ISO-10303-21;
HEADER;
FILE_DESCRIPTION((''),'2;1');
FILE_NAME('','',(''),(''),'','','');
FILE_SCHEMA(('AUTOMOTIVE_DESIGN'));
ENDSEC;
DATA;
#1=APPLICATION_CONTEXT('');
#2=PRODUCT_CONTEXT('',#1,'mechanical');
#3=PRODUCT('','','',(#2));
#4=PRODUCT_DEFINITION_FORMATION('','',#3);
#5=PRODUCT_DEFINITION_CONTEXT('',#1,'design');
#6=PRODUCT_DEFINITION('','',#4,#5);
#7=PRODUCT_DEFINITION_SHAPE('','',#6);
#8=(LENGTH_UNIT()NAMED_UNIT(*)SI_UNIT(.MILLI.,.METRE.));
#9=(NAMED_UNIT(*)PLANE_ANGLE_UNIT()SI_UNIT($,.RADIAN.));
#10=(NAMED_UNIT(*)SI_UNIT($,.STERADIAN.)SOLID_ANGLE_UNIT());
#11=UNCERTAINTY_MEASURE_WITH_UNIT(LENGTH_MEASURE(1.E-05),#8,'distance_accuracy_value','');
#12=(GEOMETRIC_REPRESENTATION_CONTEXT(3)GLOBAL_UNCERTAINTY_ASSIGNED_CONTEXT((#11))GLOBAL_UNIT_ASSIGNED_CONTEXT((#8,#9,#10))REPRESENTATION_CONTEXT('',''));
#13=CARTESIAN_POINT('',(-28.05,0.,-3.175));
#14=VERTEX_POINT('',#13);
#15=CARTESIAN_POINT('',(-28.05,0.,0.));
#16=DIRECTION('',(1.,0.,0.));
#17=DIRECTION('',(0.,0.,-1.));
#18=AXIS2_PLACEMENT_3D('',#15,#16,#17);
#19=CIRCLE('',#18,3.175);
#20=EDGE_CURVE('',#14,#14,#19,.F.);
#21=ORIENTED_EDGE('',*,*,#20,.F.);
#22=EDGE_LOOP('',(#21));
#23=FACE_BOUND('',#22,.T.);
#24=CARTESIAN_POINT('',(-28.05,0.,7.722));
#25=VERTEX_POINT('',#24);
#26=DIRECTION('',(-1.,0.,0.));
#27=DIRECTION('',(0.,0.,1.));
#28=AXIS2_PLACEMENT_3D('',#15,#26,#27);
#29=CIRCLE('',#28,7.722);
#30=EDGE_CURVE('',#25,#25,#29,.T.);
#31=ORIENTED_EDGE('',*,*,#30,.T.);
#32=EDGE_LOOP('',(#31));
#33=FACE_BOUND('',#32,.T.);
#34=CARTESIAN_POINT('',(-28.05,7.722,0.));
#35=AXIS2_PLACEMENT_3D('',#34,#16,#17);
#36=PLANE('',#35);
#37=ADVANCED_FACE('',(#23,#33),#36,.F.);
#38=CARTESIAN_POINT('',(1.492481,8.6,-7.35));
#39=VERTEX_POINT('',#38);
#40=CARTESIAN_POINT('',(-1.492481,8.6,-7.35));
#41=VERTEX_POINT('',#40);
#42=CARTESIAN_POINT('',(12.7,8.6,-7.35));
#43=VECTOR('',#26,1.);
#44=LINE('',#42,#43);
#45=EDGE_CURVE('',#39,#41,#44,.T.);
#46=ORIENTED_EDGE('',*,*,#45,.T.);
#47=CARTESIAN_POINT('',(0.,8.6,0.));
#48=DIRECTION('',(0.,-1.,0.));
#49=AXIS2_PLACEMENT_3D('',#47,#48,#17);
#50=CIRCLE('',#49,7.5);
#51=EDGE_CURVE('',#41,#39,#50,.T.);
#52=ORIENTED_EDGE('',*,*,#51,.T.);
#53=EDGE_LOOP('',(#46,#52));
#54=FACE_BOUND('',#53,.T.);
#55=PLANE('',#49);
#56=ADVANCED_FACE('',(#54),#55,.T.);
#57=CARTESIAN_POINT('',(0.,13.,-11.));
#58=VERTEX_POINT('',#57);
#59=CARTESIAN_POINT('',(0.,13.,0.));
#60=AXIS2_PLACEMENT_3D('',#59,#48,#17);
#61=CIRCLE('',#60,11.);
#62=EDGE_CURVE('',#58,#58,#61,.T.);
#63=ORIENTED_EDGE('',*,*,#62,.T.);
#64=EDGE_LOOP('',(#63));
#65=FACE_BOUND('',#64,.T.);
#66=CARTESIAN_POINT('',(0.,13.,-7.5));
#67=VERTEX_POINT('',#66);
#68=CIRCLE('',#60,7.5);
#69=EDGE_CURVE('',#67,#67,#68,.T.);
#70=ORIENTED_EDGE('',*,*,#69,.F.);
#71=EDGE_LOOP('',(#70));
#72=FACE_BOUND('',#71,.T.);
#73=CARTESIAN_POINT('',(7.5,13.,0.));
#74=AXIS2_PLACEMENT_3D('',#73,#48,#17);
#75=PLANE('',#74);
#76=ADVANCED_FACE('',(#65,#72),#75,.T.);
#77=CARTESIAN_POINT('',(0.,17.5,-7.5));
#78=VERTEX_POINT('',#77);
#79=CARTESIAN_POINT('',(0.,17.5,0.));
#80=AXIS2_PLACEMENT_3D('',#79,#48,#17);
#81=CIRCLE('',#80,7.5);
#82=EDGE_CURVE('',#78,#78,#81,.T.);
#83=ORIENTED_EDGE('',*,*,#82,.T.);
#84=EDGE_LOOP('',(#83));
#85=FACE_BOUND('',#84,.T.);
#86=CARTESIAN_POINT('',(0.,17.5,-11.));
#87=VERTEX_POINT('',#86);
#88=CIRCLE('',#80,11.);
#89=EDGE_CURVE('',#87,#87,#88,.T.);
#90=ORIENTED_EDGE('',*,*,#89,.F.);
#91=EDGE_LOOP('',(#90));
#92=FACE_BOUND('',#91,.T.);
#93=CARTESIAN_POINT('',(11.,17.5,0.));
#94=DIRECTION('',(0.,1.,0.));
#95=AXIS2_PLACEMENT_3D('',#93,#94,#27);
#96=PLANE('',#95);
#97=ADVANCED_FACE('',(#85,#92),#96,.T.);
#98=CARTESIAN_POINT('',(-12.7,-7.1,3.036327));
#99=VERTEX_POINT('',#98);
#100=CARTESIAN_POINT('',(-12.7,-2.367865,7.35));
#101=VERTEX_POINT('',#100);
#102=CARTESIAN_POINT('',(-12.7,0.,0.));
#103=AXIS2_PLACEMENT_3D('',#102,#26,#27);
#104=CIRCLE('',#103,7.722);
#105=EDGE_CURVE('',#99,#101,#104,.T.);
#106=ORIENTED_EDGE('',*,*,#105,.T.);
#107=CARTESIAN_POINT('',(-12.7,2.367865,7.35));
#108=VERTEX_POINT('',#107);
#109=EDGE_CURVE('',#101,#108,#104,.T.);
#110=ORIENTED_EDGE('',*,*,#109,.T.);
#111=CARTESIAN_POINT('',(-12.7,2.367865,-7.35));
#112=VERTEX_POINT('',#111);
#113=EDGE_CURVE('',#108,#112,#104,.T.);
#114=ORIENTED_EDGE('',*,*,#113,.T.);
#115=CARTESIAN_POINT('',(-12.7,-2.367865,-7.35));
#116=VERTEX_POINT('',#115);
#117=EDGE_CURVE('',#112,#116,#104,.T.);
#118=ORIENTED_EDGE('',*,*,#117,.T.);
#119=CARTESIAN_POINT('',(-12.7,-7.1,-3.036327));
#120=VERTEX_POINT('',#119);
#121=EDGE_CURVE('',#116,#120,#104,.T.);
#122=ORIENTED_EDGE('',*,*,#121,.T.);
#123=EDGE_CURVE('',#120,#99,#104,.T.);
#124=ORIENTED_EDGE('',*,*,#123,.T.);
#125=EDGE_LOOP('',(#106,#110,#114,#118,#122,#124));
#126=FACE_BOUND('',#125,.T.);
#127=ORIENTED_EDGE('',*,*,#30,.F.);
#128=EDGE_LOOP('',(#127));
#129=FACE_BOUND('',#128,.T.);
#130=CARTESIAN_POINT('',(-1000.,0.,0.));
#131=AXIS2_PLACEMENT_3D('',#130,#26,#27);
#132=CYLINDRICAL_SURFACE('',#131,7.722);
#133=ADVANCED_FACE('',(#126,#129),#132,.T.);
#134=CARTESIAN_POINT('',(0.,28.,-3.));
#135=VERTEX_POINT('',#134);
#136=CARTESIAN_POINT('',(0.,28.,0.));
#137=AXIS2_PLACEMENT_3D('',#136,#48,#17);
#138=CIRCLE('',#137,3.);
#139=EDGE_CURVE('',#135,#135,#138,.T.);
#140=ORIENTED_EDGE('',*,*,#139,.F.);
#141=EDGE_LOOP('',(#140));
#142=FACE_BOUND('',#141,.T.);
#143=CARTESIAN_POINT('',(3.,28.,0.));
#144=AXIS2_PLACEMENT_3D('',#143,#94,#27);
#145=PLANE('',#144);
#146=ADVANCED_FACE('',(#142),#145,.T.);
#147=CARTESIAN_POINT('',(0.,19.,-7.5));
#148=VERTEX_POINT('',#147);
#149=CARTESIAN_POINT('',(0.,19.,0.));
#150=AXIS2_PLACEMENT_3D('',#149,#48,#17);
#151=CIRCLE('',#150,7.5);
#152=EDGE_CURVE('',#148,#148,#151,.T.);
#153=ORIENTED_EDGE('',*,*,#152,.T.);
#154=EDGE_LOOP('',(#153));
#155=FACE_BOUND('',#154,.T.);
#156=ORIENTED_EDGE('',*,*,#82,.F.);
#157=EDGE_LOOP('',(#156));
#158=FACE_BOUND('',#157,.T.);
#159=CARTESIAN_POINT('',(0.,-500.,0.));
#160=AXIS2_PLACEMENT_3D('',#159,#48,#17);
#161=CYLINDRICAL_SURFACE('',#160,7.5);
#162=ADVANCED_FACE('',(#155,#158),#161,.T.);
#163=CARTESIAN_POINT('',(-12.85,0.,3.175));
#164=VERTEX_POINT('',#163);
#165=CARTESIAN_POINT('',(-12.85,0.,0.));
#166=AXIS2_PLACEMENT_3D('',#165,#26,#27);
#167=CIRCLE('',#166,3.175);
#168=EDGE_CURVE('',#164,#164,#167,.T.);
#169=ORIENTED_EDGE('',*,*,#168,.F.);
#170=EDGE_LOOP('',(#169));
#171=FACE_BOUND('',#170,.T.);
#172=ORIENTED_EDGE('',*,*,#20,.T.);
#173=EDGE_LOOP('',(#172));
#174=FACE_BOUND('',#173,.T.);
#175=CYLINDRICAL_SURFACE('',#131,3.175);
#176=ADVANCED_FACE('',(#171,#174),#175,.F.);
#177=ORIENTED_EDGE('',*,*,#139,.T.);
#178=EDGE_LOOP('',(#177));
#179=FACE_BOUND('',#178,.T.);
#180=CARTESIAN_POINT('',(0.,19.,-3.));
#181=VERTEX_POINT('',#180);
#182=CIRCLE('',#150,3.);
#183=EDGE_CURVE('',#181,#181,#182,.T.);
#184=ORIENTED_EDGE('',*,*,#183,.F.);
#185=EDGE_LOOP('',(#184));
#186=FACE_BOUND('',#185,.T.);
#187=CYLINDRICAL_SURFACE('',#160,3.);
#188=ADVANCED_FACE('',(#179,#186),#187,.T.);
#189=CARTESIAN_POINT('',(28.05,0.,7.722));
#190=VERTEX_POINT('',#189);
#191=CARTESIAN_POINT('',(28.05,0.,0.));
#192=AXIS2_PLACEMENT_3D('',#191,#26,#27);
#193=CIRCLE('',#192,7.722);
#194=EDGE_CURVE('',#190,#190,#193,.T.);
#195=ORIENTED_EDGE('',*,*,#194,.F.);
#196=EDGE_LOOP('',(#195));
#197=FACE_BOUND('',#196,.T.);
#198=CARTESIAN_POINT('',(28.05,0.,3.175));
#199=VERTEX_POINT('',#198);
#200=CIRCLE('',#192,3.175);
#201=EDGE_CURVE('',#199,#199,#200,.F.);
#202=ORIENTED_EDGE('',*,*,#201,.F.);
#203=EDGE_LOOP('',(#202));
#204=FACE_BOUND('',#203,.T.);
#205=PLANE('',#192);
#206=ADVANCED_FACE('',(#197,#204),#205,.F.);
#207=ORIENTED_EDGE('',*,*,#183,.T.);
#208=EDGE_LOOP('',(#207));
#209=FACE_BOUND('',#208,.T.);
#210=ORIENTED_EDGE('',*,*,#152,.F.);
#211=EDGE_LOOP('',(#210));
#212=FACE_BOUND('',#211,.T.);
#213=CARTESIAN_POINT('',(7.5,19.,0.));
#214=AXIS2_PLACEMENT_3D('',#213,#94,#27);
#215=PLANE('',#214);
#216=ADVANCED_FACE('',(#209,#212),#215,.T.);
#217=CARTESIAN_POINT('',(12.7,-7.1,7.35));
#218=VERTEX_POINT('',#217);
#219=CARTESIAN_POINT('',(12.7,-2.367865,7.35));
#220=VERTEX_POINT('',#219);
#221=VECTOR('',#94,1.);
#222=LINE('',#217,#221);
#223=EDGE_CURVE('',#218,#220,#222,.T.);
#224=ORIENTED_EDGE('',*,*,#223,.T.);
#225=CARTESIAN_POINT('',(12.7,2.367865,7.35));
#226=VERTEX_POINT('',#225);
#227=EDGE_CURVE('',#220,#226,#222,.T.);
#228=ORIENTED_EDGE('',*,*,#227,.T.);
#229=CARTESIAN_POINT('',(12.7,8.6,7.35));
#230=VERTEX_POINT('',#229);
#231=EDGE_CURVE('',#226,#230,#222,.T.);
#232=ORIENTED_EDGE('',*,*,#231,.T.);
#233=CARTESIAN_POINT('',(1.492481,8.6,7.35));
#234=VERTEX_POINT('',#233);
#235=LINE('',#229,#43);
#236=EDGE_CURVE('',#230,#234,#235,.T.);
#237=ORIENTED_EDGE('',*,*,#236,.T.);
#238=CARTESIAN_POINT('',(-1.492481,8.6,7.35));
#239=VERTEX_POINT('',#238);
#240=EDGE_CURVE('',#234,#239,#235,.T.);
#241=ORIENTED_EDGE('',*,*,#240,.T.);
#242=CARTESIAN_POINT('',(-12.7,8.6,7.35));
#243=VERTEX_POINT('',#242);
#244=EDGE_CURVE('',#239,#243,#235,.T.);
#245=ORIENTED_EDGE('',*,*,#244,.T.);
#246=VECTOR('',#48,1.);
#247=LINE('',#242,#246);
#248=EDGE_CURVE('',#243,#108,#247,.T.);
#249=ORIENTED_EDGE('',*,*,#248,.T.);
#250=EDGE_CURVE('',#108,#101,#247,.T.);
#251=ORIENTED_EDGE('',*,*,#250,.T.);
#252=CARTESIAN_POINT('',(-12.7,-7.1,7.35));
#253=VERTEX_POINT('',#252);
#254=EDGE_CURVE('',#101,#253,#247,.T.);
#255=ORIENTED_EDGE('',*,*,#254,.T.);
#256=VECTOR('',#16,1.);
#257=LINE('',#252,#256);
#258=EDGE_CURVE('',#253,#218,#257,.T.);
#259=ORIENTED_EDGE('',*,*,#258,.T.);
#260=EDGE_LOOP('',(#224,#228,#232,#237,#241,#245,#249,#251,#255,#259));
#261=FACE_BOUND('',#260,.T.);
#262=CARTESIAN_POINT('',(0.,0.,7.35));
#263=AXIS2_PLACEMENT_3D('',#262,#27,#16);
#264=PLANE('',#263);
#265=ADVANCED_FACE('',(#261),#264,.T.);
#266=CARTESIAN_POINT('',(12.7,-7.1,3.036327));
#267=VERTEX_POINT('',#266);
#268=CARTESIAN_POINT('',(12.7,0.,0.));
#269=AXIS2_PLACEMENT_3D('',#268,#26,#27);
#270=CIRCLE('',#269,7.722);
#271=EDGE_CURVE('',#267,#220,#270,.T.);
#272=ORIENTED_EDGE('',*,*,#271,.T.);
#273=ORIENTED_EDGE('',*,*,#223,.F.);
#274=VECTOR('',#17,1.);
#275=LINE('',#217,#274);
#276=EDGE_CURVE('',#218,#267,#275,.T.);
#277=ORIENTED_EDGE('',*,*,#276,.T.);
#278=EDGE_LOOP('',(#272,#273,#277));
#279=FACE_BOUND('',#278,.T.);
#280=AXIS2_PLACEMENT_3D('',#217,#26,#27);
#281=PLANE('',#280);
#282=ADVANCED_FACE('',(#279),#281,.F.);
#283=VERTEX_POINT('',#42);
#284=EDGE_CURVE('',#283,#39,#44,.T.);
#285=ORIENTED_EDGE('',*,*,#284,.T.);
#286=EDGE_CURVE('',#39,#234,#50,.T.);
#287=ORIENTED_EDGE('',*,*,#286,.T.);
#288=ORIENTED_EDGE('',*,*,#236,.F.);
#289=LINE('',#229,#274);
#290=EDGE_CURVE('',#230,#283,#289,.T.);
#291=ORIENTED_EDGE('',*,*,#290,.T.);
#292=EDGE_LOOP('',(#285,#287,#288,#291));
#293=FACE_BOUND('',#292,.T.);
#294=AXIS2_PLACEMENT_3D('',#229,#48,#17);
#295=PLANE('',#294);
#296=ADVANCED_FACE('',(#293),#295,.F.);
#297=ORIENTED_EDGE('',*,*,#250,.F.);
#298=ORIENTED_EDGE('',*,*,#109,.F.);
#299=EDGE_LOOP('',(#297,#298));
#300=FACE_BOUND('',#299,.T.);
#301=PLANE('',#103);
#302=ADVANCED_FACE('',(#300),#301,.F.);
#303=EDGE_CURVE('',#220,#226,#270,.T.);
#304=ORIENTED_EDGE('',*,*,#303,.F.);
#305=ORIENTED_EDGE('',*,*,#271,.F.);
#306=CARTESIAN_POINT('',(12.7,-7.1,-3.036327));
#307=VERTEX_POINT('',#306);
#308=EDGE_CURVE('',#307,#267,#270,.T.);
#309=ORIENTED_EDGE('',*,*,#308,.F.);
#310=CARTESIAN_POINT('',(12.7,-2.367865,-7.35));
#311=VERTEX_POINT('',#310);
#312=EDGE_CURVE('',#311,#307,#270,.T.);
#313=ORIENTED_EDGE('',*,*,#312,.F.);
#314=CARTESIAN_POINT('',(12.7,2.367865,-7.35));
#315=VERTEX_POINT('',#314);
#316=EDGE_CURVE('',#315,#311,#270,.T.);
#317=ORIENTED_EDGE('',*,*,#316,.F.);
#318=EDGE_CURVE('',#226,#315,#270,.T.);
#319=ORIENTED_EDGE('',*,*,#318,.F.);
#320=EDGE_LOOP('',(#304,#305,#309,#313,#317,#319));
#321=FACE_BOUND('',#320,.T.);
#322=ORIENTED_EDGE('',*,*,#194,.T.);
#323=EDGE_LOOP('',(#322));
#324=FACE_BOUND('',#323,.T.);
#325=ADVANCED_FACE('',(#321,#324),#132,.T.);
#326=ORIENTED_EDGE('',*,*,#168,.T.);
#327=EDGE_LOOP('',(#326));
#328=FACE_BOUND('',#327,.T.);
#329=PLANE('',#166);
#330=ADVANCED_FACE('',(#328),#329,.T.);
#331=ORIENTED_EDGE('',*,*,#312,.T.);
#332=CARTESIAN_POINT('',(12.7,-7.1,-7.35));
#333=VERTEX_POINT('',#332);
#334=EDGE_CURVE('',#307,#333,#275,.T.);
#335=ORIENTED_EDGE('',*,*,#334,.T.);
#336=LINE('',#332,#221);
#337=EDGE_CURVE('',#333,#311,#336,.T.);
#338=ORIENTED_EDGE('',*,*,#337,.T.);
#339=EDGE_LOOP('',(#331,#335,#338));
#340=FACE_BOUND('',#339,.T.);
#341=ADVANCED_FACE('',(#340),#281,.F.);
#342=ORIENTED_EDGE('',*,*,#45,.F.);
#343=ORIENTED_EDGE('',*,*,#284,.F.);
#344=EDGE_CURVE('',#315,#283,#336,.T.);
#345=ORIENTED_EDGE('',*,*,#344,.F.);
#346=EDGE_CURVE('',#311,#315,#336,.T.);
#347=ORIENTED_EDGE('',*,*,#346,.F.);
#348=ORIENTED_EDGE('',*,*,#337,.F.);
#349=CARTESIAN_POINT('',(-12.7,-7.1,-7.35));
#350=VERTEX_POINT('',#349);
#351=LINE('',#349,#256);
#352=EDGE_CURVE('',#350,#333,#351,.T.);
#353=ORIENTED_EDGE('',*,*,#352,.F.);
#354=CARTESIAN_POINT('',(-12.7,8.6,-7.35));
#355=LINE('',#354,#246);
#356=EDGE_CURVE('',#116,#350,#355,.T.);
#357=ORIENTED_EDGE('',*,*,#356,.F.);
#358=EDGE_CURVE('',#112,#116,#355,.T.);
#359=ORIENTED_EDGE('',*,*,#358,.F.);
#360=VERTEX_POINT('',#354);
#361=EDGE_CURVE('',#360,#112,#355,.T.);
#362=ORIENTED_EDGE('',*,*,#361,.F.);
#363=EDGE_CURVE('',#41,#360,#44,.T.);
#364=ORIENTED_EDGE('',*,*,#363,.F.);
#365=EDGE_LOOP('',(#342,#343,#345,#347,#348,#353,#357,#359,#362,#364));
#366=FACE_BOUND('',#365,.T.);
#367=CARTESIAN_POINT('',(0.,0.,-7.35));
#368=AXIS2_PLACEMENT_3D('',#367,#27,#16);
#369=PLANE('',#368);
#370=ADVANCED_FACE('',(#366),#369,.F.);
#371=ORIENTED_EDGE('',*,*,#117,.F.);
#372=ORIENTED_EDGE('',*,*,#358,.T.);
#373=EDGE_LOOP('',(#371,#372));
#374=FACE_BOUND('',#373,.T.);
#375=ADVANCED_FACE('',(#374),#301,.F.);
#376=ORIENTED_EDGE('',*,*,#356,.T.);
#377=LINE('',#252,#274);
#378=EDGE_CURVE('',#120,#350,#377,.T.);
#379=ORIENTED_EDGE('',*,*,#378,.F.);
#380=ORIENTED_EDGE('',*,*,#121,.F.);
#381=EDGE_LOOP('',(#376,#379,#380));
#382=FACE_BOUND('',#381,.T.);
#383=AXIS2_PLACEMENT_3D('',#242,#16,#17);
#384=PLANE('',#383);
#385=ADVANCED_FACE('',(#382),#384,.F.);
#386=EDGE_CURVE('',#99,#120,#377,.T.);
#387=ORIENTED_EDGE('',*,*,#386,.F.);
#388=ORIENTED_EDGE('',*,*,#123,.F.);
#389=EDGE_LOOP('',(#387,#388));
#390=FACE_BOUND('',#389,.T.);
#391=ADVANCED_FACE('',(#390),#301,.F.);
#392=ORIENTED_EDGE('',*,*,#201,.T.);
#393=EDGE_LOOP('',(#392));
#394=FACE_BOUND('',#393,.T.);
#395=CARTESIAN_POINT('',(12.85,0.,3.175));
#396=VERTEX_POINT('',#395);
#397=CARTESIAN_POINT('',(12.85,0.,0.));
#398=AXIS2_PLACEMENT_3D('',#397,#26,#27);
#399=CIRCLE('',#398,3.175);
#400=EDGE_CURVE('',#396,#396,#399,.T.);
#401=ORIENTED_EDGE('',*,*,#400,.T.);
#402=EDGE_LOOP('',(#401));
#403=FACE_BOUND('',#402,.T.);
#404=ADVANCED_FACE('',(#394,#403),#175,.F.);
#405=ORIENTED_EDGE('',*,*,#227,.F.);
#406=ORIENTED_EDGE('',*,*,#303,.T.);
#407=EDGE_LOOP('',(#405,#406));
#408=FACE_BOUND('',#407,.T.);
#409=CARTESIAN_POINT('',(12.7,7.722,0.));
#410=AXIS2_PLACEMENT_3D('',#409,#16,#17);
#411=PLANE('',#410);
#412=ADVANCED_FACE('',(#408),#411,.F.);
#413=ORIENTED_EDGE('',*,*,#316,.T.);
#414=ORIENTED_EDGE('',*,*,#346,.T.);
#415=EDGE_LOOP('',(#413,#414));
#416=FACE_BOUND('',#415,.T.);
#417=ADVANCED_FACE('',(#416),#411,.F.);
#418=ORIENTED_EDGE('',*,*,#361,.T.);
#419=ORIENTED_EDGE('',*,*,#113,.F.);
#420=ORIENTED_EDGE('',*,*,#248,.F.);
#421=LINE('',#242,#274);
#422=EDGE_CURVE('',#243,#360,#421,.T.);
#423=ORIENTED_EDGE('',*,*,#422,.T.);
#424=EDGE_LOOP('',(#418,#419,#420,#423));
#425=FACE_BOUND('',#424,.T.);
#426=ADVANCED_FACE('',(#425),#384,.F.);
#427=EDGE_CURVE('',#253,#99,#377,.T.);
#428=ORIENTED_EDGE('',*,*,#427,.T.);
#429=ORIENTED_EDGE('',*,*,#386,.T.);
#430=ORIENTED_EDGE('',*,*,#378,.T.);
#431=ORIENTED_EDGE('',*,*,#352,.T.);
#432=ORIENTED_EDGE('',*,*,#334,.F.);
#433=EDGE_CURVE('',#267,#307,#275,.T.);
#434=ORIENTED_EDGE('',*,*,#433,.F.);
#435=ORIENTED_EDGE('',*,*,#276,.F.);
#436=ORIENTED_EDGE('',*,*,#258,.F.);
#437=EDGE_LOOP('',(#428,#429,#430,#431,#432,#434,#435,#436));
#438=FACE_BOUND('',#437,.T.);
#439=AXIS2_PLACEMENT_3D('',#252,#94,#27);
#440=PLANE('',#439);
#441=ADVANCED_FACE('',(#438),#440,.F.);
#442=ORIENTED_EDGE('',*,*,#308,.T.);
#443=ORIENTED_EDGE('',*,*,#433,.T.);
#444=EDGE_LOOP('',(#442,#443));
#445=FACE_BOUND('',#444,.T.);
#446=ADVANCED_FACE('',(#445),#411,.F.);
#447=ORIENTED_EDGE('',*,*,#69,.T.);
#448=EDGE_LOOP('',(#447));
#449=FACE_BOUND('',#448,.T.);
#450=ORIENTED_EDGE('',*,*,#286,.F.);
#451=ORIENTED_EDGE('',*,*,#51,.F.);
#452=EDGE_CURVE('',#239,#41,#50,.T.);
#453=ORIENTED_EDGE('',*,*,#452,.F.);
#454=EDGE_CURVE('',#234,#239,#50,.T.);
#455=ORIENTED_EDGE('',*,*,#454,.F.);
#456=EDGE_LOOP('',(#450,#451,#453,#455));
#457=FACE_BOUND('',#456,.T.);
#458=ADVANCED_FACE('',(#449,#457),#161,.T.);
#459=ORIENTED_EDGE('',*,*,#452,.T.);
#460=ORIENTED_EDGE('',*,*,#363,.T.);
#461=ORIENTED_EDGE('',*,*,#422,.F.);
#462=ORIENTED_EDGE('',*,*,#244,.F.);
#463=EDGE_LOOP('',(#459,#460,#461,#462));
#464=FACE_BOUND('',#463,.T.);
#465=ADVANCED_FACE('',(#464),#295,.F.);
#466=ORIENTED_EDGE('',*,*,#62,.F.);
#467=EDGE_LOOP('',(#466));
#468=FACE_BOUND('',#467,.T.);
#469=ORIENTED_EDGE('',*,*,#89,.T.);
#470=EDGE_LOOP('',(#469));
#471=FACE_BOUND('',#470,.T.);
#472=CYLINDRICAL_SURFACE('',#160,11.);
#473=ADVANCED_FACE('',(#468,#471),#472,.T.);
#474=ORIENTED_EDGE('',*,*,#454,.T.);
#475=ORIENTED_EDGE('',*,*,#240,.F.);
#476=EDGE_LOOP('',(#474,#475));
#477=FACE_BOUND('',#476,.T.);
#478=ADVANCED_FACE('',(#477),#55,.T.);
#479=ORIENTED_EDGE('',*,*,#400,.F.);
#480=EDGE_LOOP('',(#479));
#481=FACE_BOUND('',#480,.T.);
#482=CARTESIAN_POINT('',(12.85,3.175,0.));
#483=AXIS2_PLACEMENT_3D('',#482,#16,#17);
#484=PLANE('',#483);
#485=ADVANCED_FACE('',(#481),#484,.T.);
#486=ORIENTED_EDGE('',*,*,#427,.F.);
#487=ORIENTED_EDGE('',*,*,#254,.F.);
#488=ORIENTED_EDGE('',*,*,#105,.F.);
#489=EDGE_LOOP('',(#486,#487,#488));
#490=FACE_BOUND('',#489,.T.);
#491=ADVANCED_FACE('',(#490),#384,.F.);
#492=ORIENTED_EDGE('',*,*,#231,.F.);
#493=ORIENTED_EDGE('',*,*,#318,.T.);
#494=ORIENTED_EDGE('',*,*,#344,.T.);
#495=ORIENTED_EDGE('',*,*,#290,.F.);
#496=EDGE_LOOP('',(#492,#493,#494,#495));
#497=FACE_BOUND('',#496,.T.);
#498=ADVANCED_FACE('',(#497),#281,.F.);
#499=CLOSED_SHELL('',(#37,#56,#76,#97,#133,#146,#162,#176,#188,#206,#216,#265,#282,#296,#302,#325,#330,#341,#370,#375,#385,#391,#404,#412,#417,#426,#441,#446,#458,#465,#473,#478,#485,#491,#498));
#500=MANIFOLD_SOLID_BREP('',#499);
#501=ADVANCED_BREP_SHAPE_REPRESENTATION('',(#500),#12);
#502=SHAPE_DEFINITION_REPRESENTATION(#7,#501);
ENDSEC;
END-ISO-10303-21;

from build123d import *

# Parameters (mm, degrees)
BODY_SKETCH_W       = 25.4
BODY_SKETCH_H       = 15.7
BODY_DEPTH          = 7.35
NUT_X_SKETCH_W      = 15.35
NUT_X_SKETCH_H      = 7.722
NUT_X_SKETCH_2_W    = 15.35
NUT_X_SKETCH_2_H    = 7.722
SOCKET_X_SKETCH_W   = 16.2
SOCKET_X_SKETCH_H   = 3.175
SOCKET_X_SKETCH_2_W = 16.2
SOCKET_X_SKETCH_2_H = 3.175


with BuildPart() as part:
    # Body Sketch → Body (new, symmetric)
    with BuildSketch(Plane.XY):
        with Locations((0, 0.75)):
            Rectangle(BODY_SKETCH_W, BODY_SKETCH_H)
    extrude(amount=BODY_DEPTH, both=True)

    # Nut _X Sketch → Nut _X (revolve)
    with BuildSketch(Plane.XY):
        with Locations((20.375, 3.861)):
            Rectangle(NUT_X_SKETCH_W, NUT_X_SKETCH_H)
    revolve(axis=Axis((-1000, 0, 0), (1, 0, 0)))

    # Nut -X Sketch 2 → Nut -X 2 (revolve)
    with BuildSketch(Plane.XY):
        with Locations((-20.375, 3.861)):
            Rectangle(NUT_X_SKETCH_2_W, NUT_X_SKETCH_2_H)
    revolve(axis=Axis((-1000, 0, 0), (1, 0, 0)))

    # Socket _X Sketch → Socket _X (revolve, cut)
    with BuildSketch(Plane.XY):
        with Locations((20.95, 1.5875)):
            Rectangle(SOCKET_X_SKETCH_W, SOCKET_X_SKETCH_H)
    revolve(axis=Axis((-1000, 0, 0), (1, 0, 0)), mode=Mode.SUBTRACT)

    # Socket -X Sketch 2 → Socket -X 2 (revolve, cut)
    with BuildSketch(Plane.XY):
        with Locations((-20.95, 1.5875)):
            Rectangle(SOCKET_X_SKETCH_2_W, SOCKET_X_SKETCH_2_H)
    revolve(axis=Axis((-1000, 0, 0), (1, 0, 0)), mode=Mode.SUBTRACT)

    # Stem Sketch → Stem (revolve)
    with BuildSketch(Plane.XY):
        Polygon((0, 8.6), (7.5, 8.6), (7.5, 13), (11, 13), (11, 17.5), (7.5, 17.5), (7.5, 19), (3, 19), (3, 28), (0, 28), align=None)
    revolve(axis=Axis((0, -500, 0), (0, 1, 0)))


solid = part.part
